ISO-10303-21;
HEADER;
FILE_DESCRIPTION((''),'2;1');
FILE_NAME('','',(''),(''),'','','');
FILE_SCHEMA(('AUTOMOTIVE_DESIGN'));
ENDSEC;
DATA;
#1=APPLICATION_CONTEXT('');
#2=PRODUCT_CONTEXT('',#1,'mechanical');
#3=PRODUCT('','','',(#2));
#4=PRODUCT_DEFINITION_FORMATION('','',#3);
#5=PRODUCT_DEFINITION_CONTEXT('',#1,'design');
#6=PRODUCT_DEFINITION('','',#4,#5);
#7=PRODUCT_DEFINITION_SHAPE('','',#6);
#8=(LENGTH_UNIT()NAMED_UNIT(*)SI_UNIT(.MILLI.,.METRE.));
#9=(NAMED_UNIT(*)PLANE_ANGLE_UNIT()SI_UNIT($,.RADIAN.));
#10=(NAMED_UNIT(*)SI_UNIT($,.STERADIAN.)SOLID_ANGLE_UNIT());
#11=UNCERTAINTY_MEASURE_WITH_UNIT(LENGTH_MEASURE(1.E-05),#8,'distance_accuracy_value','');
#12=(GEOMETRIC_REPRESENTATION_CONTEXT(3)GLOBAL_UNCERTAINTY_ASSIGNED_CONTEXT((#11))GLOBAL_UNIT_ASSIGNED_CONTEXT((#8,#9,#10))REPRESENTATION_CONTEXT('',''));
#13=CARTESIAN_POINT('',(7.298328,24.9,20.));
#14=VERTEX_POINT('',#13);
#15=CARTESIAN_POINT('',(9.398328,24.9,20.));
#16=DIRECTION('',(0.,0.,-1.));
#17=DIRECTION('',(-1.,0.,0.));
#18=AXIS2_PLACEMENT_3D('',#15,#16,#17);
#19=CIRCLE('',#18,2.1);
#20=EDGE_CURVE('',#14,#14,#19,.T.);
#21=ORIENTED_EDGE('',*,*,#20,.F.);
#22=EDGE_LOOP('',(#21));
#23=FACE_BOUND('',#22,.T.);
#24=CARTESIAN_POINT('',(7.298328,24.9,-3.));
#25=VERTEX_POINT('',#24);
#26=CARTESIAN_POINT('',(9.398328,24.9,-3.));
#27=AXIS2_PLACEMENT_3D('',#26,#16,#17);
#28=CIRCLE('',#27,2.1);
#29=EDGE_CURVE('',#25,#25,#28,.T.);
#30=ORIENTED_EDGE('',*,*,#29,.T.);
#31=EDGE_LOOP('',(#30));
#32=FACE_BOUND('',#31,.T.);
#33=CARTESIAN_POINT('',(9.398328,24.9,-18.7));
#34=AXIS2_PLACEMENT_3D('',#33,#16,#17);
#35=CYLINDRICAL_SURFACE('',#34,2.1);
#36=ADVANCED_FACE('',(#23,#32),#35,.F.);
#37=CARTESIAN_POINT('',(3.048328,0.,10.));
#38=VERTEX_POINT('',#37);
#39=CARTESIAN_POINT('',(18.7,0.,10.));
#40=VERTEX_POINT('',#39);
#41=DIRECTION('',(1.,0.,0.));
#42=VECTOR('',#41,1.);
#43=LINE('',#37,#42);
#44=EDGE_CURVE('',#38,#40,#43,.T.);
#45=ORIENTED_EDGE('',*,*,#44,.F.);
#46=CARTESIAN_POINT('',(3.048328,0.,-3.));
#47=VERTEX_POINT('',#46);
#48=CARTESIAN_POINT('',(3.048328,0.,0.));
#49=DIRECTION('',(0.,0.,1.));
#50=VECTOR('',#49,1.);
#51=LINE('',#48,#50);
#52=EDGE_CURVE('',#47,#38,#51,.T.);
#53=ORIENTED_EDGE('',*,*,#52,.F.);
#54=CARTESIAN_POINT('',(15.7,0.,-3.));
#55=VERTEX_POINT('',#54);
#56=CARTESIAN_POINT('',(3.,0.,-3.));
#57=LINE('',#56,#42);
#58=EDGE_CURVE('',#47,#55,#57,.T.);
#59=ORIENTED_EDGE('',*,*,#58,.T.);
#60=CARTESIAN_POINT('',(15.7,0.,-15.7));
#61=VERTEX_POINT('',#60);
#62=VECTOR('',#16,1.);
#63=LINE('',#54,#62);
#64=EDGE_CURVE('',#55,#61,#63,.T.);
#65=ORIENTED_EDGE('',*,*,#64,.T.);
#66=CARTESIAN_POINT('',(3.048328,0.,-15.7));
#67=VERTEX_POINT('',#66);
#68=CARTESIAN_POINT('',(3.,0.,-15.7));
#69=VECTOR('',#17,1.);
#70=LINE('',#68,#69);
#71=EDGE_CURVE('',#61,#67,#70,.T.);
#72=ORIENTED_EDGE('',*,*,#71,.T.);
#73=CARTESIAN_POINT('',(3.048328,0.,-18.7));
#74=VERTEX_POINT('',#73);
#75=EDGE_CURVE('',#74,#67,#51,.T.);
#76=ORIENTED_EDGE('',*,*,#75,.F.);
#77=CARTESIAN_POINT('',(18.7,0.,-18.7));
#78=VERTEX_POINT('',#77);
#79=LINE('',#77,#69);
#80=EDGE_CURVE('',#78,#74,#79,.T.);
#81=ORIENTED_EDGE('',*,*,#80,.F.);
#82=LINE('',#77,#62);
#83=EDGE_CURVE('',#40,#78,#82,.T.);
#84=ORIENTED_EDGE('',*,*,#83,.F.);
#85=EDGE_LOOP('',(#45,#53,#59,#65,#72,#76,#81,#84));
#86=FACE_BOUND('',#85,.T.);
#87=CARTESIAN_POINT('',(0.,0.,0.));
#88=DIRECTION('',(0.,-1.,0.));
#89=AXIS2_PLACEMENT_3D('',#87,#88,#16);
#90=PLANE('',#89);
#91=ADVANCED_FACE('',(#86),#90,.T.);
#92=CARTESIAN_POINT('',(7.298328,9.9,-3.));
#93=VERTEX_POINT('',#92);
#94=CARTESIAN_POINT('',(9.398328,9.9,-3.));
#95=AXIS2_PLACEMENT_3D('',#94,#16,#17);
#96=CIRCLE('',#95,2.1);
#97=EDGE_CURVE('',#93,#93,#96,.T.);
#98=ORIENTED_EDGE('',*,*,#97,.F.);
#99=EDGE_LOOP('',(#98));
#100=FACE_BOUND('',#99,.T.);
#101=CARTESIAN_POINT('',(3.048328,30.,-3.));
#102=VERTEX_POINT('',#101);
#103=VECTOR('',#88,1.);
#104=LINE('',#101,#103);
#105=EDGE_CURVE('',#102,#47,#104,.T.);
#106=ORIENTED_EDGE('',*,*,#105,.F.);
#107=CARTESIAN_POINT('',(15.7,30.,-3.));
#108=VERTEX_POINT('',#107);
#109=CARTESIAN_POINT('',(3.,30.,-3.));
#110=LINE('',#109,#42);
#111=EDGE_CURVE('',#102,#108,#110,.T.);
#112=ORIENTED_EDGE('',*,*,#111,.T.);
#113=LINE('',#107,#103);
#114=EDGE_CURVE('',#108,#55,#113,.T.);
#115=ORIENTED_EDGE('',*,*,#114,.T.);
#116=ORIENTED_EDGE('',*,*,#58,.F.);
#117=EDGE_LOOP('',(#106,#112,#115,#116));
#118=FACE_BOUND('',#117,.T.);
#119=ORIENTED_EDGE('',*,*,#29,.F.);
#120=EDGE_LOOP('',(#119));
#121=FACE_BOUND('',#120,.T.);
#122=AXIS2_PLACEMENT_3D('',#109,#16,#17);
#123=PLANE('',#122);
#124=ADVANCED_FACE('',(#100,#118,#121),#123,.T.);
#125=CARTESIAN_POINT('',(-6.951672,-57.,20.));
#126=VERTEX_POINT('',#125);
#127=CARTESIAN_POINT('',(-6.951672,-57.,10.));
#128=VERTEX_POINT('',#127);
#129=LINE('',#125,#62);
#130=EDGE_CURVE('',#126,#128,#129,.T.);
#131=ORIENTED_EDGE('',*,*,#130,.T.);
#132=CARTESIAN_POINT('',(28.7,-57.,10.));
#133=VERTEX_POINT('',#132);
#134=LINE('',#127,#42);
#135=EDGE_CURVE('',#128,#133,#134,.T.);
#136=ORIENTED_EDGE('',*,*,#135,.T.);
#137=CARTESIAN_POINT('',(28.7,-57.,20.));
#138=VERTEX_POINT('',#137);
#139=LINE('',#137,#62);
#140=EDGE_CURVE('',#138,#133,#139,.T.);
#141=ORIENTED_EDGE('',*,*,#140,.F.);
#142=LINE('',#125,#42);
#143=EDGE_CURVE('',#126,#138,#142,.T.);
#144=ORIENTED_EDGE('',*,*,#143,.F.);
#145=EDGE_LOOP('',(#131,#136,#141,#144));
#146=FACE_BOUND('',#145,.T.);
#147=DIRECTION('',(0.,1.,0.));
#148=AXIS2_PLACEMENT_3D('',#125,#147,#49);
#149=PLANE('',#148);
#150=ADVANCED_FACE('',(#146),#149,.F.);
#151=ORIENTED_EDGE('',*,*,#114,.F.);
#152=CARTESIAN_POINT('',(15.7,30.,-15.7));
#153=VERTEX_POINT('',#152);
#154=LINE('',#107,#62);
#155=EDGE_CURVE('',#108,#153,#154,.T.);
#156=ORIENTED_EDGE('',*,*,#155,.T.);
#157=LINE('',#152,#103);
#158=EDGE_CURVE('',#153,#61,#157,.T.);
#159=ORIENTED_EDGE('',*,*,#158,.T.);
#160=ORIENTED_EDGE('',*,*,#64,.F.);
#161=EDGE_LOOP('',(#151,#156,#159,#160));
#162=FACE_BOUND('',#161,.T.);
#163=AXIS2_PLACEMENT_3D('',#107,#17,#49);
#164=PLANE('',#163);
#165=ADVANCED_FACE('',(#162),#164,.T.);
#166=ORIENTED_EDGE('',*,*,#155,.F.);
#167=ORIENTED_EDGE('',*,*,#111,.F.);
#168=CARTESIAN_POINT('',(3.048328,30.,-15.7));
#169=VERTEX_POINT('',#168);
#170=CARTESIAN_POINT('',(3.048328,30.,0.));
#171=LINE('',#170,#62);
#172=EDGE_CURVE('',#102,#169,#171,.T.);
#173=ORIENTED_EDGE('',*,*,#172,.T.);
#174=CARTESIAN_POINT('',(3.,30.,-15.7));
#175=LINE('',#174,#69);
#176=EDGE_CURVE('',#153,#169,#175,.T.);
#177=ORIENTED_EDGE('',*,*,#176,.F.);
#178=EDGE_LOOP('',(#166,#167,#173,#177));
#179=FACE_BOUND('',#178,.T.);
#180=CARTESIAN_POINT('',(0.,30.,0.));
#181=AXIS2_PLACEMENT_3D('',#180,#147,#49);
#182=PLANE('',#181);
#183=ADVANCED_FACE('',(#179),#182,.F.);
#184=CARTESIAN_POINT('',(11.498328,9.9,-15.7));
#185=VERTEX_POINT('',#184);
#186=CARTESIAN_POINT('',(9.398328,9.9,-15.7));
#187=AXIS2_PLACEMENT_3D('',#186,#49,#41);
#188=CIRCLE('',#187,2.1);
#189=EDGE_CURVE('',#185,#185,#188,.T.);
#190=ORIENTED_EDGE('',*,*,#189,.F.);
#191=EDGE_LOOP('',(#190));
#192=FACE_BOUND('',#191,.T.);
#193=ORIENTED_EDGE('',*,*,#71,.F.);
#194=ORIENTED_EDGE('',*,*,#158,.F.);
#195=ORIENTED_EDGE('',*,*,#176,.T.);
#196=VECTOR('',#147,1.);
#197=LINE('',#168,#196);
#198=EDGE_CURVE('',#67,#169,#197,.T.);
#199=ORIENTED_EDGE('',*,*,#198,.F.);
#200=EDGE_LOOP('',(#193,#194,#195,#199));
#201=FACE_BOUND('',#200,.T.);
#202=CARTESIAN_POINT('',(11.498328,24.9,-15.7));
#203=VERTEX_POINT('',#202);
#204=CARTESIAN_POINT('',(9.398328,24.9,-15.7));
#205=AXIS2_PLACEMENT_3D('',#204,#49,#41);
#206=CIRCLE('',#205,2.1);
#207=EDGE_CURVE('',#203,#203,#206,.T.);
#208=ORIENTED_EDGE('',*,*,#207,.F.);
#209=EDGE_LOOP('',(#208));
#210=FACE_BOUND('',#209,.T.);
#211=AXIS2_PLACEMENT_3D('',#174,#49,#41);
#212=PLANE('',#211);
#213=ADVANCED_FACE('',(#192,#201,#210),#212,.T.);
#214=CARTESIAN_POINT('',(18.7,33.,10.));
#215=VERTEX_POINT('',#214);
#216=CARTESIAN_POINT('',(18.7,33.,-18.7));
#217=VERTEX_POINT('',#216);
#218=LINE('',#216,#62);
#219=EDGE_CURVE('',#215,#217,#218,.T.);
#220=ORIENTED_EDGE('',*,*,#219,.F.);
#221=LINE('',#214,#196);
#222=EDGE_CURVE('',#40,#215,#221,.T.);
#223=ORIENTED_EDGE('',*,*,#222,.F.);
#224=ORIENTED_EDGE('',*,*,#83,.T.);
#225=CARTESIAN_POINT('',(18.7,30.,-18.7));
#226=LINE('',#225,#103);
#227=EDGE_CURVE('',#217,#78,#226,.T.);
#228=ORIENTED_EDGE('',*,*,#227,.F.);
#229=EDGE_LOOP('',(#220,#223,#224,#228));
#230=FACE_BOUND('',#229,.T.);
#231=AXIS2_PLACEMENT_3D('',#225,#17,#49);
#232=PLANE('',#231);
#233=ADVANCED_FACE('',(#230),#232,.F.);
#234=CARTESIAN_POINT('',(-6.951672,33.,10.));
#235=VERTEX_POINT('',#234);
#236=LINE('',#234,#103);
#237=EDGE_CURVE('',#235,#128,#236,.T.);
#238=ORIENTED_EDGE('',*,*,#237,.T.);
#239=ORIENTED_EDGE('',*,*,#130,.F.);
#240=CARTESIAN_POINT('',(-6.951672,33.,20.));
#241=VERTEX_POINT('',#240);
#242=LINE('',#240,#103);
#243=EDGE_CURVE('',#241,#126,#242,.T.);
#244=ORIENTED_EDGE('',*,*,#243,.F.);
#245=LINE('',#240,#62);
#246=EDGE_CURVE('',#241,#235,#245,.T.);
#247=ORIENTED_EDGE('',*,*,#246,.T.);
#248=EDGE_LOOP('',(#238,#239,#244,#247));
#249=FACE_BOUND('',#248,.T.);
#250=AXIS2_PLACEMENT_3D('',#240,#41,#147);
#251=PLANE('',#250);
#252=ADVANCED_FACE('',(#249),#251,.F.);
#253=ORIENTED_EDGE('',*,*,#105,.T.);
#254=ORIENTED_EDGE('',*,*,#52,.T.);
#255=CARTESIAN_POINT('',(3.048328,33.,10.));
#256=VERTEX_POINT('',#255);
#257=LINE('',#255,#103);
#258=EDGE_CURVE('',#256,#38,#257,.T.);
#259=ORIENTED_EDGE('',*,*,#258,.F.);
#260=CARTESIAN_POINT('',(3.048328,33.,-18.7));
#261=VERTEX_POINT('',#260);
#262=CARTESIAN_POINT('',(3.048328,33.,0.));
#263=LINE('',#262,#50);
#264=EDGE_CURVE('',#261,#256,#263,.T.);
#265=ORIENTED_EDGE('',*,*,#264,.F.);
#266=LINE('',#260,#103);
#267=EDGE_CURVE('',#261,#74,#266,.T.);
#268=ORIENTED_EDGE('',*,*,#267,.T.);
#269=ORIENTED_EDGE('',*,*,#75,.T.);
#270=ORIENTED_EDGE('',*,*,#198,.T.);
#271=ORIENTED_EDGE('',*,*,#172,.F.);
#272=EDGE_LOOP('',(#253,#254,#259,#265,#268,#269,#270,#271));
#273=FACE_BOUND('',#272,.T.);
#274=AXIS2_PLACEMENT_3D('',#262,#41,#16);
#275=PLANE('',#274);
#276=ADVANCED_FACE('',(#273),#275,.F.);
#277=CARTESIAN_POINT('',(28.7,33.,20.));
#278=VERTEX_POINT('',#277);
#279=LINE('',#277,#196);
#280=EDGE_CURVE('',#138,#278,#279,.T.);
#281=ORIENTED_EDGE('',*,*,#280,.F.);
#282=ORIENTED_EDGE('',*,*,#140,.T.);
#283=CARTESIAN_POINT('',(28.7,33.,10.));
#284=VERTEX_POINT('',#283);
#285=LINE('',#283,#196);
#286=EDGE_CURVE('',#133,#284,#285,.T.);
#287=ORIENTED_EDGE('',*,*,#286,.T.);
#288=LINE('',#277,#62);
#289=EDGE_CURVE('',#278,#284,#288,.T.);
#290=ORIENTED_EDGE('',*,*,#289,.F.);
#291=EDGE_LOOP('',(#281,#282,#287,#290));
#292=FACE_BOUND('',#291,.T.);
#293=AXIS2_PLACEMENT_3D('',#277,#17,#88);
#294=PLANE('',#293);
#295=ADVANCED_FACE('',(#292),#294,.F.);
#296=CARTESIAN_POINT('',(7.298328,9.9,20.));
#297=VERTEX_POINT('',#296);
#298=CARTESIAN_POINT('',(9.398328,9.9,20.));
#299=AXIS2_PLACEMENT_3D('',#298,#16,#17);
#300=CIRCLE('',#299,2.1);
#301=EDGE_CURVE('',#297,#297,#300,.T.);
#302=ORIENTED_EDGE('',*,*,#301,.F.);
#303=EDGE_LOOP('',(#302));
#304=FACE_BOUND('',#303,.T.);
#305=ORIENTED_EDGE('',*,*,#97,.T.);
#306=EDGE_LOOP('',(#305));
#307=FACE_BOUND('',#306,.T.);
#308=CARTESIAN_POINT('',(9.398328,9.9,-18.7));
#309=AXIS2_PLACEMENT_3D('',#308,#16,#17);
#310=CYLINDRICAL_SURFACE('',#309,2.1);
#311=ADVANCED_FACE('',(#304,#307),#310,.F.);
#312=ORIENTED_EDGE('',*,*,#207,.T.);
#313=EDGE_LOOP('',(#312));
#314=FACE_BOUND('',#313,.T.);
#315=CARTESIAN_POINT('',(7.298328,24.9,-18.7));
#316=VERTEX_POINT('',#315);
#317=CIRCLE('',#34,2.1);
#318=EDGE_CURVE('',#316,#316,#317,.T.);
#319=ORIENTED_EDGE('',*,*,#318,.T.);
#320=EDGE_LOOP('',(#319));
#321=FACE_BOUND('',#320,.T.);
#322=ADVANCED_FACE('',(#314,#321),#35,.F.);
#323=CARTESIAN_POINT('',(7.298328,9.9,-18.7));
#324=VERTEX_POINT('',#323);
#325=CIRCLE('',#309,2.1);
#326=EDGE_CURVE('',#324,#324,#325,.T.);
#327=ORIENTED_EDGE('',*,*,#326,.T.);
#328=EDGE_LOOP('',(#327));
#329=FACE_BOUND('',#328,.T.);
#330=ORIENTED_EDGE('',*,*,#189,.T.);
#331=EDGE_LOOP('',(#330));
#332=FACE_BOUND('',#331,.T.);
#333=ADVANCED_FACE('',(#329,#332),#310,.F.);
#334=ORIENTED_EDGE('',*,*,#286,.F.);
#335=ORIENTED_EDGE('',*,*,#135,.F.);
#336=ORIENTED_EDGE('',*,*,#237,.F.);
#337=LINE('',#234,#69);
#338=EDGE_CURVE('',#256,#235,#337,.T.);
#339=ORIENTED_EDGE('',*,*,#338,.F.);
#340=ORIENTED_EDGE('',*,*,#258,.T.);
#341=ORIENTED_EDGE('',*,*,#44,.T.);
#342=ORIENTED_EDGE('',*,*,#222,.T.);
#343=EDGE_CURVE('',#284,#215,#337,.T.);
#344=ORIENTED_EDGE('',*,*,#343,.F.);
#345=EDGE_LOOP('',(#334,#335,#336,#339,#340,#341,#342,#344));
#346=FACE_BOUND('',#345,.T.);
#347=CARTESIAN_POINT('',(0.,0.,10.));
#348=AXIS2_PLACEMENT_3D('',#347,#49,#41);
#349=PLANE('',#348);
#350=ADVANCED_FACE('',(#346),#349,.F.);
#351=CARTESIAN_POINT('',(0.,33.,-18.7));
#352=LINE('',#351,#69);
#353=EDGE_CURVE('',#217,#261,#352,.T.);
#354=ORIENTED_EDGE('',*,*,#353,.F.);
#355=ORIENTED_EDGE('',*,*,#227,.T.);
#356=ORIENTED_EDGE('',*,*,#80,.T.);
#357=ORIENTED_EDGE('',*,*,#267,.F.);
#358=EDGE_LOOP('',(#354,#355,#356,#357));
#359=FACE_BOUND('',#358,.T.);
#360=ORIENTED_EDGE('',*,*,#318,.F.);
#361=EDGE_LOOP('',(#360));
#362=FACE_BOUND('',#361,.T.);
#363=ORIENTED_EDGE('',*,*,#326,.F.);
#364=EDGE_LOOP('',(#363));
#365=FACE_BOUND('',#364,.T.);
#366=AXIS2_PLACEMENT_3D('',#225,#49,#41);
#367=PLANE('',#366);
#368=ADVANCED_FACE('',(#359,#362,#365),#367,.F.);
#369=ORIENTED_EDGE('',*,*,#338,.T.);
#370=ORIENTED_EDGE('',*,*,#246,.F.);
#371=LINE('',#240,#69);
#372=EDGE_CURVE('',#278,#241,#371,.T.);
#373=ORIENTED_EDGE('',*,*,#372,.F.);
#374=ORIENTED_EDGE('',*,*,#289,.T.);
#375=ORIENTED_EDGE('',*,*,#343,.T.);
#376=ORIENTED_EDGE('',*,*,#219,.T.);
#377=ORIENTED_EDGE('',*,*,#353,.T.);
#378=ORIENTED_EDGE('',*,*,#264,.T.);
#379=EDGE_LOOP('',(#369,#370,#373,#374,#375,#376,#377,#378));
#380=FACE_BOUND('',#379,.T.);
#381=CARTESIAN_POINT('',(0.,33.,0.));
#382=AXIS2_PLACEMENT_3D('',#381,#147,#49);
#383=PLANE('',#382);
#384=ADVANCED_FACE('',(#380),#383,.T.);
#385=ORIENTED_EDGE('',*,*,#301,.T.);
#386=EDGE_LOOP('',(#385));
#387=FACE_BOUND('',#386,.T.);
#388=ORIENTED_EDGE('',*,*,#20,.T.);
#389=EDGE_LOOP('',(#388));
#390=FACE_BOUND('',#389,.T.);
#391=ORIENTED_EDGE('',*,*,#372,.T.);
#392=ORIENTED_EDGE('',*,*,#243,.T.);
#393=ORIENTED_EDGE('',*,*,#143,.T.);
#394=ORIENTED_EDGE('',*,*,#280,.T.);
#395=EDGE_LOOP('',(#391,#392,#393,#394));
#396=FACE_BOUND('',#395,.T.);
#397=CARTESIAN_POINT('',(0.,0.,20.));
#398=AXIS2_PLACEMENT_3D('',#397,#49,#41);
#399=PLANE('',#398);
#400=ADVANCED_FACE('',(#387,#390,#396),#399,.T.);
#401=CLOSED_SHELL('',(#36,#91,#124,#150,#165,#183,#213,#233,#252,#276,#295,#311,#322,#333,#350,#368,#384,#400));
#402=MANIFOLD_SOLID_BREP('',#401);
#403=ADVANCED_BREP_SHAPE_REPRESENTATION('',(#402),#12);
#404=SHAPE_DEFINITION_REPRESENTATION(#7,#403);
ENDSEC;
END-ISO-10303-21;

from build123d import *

# Parameters (mm, degrees)
SKETCH3_W             = 18.7
SKETCH3_H             = 18.7
SKETCH3_W_2           = 12.7
SKETCH3_H_2           = 12.7
BOSS_EXTRUDE2_DEPTH   = 30
SKETCH4_W             = 18.7
SKETCH4_H             = 18.7
BOSS_EXTRUDE3_DEPTH   = 3
SKETCH13_W            = 3.048327816
SKETCH13_H            = 18.7
CUT_EXTRUDE1_DEPTH    = 33
SKETCH16_W            = 15.651672184
SKETCH16_H            = 33
BOSS_EXTRUDE6_DEPTH   = 10
SKETCH17_W            = 35.651672184
SKETCH17_H            = 90
BOSS_EXTRUDE7_DEPTH   = 10
M5X0_8_TAPPED_HOLE1_D = 4.2


with BuildPart() as part:
    # Sketch3 → Boss-Extrude2 (new body)
    with BuildSketch(Plane(origin=(0, 0, 0), x_dir=(1, 0, 0), z_dir=(0, 1, 0))):
        with Locations((9.35, 9.35)):
            Rectangle(SKETCH3_W, SKETCH3_H)
        with Locations((9.35, 9.35)):
            Rectangle(SKETCH3_W_2, SKETCH3_H_2, mode=Mode.SUBTRACT)
    extrude(amount=BOSS_EXTRUDE2_DEPTH)

    # Sketch4 → Boss-Extrude3 (add)
    with BuildSketch(Plane(origin=(0, 30, 0), x_dir=(1, 0, 0), z_dir=(0, 1, 0))):
        with Locations((9.35, 9.35)):
            Rectangle(SKETCH4_W, SKETCH4_H)
    extrude(amount=BOSS_EXTRUDE3_DEPTH)

    # Sketch13 → Cut-Extrude1 (cut)
    with BuildSketch(Plane.XZ):
        with Locations((1.524163908, -9.35)):
            Rectangle(SKETCH13_W, SKETCH13_H)
    extrude(amount=-CUT_EXTRUDE1_DEPTH, mode=Mode.SUBTRACT)

    # Sketch16 → Boss-Extrude6 (add)
    with BuildSketch(Plane.XY):
        with Locations((10.874163908, 16.5)):
            Rectangle(SKETCH16_W, SKETCH16_H)
    extrude(amount=BOSS_EXTRUDE6_DEPTH)

    # Sketch17 → Boss-Extrude7 (add)
    with BuildSketch(Plane.XY.offset(10)):
        with Locations((10.874163908, -12)):
            Rectangle(SKETCH17_W, SKETCH17_H)
    extrude(amount=BOSS_EXTRUDE7_DEPTH)

    # M5x0.8 Tapped Hole1 (through all)
    with Locations(Plane(origin=(9.398327816, 24.9, -18.7), x_dir=(-1, 0, 0), z_dir=(0, 0, -1))):
        with Locations((0, 0), (0, -15)):
            Hole(M5X0_8_TAPPED_HOLE1_D / 2)


solid = part.part
